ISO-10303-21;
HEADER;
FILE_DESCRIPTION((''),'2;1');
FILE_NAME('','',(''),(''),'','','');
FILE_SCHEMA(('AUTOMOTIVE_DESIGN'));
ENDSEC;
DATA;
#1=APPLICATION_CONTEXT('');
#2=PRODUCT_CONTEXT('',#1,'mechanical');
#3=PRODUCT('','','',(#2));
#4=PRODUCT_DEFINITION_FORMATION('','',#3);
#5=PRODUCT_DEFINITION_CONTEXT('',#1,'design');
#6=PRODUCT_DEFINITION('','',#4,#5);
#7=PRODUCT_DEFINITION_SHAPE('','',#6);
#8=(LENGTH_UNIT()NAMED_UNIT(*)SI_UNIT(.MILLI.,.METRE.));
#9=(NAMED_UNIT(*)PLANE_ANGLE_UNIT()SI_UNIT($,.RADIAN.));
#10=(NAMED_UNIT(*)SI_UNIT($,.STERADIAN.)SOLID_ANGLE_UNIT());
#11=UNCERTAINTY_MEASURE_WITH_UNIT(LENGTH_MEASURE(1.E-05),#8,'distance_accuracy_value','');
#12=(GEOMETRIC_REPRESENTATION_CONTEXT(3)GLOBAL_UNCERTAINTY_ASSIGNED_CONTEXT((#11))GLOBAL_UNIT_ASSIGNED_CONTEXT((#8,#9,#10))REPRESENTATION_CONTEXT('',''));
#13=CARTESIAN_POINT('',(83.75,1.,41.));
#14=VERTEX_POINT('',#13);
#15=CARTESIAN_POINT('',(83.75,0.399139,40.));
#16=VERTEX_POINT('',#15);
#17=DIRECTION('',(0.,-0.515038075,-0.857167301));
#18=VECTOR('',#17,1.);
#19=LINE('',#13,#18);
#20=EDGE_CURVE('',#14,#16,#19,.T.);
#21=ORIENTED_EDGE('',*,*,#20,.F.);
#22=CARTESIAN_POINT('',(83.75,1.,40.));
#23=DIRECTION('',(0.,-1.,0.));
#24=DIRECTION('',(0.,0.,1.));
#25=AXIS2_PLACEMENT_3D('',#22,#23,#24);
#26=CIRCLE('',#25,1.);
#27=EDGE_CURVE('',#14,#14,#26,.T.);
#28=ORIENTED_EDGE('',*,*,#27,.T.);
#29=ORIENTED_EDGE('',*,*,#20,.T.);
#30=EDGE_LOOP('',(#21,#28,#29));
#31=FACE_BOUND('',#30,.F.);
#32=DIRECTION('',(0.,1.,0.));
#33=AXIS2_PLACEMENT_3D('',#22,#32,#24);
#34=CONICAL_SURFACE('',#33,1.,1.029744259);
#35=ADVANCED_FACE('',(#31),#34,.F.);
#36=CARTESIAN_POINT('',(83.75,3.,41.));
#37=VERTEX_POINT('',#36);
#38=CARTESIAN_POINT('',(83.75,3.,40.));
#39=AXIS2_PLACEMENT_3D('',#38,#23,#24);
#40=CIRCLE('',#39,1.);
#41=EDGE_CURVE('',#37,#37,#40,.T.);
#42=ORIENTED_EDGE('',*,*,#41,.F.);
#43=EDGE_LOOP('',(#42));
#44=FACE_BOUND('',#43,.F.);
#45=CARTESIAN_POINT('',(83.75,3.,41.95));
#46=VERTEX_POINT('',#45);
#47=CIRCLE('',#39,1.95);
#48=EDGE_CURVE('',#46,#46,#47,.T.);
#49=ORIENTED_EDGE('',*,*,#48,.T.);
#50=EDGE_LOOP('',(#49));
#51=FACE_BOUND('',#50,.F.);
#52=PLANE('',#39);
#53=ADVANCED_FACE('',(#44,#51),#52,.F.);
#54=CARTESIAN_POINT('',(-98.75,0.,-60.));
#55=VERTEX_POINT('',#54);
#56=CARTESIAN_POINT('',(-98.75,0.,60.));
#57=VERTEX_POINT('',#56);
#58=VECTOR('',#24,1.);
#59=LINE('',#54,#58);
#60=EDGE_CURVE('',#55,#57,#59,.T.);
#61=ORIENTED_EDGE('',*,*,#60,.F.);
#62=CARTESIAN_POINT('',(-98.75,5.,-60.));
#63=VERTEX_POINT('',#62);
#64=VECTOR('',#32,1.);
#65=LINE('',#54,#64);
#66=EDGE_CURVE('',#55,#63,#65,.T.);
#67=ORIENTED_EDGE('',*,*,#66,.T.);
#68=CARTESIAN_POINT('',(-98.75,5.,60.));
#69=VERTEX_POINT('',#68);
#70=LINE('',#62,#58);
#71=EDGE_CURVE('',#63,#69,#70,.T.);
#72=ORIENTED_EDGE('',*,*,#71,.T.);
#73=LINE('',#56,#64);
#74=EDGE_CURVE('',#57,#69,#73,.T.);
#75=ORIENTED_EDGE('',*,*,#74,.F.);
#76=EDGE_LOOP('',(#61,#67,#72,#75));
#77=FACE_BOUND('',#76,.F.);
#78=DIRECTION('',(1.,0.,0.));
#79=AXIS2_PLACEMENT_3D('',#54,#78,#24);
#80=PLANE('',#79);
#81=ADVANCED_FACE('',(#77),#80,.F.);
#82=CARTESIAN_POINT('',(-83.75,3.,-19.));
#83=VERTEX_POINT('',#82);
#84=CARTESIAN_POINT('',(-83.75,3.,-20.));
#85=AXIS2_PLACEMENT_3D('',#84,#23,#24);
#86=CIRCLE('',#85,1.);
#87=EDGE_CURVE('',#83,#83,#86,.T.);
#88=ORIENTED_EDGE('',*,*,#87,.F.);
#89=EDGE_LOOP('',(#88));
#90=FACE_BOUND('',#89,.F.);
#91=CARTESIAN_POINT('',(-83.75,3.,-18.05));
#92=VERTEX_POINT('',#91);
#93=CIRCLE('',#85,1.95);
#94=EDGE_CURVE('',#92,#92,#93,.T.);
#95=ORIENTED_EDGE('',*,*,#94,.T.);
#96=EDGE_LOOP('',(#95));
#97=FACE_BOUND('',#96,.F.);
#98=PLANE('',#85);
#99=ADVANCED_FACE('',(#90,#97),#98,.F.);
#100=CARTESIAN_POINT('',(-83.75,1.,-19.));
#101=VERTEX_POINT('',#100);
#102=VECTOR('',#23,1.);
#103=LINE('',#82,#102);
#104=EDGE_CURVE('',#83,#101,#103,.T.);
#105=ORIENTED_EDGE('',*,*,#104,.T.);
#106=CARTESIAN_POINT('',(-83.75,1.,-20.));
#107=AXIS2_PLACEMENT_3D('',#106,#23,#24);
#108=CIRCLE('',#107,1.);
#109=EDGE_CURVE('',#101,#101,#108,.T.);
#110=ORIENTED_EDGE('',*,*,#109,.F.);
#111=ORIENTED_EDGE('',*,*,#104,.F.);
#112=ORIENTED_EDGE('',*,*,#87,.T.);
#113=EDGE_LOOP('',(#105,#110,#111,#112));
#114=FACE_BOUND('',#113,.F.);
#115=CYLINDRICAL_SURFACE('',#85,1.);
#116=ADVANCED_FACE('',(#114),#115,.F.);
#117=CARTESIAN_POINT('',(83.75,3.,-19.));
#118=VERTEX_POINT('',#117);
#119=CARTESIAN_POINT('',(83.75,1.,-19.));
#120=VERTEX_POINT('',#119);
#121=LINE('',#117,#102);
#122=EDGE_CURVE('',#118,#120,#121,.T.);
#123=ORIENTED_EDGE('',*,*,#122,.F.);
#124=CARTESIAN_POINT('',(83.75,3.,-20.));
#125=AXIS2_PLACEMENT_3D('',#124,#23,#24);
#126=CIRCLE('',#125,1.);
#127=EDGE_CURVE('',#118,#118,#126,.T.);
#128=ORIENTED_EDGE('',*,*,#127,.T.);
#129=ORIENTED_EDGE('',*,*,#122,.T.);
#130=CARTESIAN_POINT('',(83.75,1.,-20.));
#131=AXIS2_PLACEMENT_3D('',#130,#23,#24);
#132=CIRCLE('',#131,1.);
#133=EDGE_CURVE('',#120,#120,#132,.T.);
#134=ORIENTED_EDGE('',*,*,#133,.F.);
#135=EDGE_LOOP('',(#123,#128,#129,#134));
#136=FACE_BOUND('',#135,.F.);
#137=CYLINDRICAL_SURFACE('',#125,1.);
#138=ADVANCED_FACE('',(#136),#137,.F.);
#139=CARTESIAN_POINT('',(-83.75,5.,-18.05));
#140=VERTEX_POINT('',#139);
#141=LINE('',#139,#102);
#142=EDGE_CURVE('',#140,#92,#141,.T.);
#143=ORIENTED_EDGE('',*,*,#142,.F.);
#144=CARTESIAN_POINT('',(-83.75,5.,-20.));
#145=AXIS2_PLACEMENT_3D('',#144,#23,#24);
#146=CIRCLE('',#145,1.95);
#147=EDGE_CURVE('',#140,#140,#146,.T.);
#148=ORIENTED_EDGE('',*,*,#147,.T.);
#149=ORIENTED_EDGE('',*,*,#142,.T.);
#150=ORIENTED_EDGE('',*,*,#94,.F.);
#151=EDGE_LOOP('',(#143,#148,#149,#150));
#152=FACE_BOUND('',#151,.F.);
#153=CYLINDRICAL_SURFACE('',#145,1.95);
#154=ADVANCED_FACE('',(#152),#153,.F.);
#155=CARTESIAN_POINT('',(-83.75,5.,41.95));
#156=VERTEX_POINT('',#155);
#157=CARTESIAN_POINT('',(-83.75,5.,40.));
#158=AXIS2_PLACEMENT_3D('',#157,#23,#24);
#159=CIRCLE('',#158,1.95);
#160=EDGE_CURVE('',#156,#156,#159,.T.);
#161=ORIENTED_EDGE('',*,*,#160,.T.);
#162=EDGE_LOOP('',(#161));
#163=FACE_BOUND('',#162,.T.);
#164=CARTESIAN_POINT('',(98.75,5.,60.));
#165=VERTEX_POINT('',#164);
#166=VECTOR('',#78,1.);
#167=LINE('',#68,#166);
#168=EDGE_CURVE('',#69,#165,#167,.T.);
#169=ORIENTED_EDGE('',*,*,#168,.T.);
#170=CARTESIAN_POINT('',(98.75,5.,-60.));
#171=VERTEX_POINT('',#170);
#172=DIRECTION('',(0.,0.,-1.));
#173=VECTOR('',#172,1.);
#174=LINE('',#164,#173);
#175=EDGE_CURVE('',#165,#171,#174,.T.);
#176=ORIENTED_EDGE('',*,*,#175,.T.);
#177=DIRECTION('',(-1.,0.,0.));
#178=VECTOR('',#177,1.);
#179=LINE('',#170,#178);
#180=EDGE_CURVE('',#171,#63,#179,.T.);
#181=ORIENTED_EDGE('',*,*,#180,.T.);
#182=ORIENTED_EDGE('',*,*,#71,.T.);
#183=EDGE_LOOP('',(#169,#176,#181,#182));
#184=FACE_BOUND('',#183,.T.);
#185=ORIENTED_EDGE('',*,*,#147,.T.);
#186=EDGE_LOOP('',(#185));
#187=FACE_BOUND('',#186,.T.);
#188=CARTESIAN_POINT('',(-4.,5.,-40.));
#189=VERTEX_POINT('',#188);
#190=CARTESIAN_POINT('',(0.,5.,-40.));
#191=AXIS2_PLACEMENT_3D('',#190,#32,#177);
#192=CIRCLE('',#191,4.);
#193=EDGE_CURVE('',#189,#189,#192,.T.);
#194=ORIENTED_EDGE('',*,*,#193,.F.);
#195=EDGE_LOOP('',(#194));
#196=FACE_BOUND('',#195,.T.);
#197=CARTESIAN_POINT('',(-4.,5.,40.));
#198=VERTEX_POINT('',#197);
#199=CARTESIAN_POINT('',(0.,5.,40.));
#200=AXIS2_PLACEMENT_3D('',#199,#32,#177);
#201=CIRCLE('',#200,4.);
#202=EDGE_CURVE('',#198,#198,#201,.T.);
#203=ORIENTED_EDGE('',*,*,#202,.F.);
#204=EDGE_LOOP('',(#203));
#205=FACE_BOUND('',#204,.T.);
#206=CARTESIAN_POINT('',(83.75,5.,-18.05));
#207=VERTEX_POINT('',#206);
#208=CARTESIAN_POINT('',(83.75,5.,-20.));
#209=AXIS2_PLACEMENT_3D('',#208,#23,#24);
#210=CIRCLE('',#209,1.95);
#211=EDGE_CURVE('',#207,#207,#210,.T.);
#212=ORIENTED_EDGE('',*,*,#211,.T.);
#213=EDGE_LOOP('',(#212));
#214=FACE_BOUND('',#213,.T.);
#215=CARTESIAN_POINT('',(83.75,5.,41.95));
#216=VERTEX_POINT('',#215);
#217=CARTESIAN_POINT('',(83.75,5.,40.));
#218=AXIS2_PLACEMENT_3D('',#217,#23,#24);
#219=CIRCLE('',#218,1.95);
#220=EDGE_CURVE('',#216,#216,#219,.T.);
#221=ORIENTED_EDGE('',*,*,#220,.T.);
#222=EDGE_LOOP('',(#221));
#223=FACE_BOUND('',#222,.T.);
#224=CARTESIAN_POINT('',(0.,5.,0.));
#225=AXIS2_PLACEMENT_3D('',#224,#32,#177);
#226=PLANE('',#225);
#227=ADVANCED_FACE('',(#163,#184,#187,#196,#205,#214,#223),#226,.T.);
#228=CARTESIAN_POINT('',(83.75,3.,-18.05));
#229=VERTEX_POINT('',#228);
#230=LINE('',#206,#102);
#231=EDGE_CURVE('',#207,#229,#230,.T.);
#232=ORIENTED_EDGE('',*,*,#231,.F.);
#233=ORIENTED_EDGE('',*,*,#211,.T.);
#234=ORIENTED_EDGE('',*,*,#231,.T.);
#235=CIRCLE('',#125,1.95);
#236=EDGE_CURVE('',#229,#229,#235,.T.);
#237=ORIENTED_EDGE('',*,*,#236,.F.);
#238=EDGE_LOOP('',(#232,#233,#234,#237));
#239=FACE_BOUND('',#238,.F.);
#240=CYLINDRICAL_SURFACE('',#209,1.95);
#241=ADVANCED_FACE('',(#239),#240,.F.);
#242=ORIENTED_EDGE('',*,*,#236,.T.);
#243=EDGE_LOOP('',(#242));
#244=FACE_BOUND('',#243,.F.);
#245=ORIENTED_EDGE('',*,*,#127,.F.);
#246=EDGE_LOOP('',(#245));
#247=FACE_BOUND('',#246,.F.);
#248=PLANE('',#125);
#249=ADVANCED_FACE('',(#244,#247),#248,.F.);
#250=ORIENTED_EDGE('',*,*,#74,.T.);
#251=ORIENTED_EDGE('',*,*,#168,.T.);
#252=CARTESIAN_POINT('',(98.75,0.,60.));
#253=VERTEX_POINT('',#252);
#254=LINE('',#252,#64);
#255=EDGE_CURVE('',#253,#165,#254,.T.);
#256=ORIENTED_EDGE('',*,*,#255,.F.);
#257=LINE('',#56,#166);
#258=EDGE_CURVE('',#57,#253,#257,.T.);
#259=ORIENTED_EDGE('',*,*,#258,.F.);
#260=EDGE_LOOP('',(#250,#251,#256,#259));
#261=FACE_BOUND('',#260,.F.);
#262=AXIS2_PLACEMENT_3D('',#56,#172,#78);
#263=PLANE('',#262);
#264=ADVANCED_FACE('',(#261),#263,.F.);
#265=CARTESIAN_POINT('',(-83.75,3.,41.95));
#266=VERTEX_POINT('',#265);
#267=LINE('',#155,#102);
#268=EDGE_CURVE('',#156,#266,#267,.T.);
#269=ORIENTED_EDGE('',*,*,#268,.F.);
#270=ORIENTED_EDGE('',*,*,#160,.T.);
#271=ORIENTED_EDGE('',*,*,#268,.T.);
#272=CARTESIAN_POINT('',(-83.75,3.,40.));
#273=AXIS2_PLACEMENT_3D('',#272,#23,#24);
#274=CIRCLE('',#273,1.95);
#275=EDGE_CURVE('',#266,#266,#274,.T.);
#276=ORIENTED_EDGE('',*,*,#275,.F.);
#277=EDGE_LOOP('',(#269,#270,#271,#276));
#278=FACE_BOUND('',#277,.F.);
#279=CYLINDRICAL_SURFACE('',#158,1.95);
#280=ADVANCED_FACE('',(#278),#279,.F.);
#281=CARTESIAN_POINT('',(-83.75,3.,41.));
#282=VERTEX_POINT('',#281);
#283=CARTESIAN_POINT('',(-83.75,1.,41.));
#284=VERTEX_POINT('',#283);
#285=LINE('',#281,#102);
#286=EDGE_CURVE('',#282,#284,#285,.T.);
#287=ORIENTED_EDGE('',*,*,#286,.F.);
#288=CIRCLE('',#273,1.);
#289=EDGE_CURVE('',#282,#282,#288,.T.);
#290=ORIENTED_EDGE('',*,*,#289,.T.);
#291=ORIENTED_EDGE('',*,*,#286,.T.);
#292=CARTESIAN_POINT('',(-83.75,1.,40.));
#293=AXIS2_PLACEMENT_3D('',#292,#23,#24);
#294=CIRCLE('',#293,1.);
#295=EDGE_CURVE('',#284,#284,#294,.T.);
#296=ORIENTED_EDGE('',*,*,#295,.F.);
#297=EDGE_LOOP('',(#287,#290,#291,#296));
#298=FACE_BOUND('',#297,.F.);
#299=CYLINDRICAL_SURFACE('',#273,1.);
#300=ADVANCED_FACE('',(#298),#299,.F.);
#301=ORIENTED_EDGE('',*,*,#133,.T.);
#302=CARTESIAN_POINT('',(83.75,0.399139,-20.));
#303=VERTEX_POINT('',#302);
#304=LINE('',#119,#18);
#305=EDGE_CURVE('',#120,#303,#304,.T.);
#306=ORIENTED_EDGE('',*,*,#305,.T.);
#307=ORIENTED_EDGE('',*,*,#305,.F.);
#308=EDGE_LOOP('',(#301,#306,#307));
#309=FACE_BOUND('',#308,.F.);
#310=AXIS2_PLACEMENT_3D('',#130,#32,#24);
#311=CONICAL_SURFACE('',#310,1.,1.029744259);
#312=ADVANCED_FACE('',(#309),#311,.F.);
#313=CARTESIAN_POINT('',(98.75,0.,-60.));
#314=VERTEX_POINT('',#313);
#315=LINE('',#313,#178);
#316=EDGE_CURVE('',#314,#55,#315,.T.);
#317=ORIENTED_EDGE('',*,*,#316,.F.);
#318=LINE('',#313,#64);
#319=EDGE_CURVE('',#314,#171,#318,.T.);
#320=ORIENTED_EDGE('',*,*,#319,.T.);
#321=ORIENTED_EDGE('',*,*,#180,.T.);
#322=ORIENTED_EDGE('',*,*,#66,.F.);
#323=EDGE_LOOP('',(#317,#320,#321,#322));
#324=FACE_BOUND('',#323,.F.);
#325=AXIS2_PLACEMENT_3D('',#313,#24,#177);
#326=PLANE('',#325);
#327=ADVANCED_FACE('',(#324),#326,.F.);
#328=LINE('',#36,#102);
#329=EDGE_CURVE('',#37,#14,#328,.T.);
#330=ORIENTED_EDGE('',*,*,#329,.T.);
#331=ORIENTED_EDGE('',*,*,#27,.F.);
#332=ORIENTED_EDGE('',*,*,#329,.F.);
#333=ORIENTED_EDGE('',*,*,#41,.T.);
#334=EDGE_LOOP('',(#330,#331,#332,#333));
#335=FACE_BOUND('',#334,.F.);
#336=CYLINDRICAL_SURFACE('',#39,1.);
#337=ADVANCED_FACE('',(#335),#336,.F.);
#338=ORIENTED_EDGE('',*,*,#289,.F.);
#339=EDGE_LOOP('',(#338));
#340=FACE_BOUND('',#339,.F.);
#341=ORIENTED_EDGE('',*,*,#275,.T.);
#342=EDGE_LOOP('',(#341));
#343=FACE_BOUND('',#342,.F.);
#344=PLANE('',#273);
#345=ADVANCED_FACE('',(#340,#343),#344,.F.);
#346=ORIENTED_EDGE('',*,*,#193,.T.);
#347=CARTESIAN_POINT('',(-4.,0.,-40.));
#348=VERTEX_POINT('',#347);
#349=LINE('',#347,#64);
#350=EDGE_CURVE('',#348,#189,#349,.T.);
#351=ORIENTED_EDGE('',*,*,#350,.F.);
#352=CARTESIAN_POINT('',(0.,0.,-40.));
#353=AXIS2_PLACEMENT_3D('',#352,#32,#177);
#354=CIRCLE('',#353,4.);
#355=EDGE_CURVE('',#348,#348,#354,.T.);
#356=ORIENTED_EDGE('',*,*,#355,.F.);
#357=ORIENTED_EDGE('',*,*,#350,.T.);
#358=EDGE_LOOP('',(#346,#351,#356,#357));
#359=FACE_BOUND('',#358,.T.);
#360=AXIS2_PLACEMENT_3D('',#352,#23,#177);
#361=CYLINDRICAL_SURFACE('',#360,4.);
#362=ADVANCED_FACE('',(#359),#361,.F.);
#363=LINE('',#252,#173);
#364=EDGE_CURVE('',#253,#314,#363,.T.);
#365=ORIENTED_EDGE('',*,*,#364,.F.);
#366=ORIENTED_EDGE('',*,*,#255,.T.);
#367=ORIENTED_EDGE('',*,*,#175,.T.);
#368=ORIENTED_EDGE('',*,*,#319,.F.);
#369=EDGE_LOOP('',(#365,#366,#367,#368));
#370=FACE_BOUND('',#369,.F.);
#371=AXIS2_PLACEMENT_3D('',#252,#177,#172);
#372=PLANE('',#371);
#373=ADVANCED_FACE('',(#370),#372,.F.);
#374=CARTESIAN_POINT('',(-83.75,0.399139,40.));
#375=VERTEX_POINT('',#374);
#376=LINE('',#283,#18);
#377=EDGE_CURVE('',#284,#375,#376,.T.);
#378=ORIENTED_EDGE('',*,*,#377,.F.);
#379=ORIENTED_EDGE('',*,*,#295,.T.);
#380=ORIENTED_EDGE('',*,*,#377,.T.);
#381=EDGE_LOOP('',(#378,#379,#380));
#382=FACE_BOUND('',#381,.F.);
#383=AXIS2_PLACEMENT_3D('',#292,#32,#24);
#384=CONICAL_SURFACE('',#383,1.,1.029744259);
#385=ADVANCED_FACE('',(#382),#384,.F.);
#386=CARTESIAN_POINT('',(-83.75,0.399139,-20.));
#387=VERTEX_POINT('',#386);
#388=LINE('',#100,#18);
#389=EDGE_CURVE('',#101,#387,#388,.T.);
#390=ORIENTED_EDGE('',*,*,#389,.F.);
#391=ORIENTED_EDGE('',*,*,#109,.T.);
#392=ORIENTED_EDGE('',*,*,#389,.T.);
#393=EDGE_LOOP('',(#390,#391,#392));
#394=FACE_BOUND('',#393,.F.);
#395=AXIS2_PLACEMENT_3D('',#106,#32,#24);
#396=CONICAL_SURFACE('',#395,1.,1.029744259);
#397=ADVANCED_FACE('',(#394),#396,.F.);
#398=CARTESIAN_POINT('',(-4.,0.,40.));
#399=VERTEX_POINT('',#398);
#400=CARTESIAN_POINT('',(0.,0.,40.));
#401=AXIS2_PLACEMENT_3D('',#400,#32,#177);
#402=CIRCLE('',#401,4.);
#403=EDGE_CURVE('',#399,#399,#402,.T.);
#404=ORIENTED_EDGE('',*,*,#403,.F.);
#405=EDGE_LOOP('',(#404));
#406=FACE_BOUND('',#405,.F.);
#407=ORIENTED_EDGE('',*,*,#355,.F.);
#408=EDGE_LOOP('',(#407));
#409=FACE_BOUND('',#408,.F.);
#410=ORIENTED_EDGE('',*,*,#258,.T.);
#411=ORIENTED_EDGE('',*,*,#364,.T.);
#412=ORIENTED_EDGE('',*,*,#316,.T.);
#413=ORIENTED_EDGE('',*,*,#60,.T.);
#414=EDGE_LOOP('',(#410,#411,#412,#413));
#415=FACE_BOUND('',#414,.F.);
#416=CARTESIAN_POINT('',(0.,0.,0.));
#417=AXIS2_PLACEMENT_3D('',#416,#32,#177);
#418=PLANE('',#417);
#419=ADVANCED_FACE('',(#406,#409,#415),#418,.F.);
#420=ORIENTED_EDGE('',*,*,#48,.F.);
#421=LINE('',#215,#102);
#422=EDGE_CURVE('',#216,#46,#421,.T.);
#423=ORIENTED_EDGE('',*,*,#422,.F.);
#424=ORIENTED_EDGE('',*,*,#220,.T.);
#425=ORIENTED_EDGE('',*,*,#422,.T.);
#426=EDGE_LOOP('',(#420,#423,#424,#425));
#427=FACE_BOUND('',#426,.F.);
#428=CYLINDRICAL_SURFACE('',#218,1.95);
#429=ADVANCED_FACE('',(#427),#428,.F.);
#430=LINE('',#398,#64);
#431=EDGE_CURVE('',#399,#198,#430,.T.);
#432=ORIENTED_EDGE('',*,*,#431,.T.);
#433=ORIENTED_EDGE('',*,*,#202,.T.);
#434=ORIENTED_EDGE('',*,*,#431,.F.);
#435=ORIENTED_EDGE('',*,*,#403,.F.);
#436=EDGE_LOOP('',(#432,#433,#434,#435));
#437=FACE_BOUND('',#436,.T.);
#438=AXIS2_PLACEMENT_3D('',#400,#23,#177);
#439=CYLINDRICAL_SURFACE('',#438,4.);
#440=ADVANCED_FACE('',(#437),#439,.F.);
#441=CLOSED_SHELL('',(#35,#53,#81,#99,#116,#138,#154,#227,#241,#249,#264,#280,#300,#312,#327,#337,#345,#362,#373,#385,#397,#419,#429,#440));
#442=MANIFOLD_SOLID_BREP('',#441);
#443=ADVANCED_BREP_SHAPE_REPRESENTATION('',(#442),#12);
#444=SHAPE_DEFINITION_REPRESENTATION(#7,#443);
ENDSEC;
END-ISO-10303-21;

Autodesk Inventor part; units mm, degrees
ref_plane "YZ Plane" through (0, 0, 0) normal (1, 0, 0) x (0, 1, 0)
ref_plane "XZ Plane" through (0, 0, 0) normal (0, 1, 0) x (-1, 0, 0)
ref_plane "XY Plane" through (0, 0, 0) normal (0, 0, 1) x (1, 0, 0)
sketch "Sketch1" plane through (0, 0, 0) normal (0, 1, 0) x (-1, 0, 0)
  line L0 (98.75, 60) -> (-98.75, 60)
  line L1 (-98.75, 60) -> (-98.75, -60)
  line L2 (-98.75, -60) -> (98.75, -60)
  line L3 (98.75, -60) -> (98.75, 60)
  line L4 (98.75, 60) -> (-98.75, -60) construction
  line L5 (-98.75, 60) -> (98.75, -60) construction
  circle A0 centre (0, -40) radius 4
  circle A1 centre (0, 40) radius 4
  point P0 (0, 0)
  dimension "d0" = 197.5
  dimension "d1" = 120
  dimension "d2" = 8
  dimension "d3" = 20
  dimension "d4" = 8
  dimension "d5" = 80
extrude "Extrusion1" add sketch "Sketch1" along normal blind 5
sketch "Sketch2" plane through (0, 5, 0) normal (0, 1, 0) x (1, 0, 0)
  line L0 (-98.75, 60) -> (-98.75, -60) projected
  line L1 (98.75, -60) -> (98.75, 60) projected
  line L2 (98.75, 60) -> (-98.75, 60) projected
  line L3 (-98.75, -60) -> (98.75, -60) projected
  point P0 (0, 0)
  point P1 (-83.75, 20)
  point P2 (-83.75, -40)
  point P3 (83.75, -40)
  point P4 (83.75, 20)
  dimension "d8" = 15
  dimension "d9" = 15
  dimension "d17" = 15
  dimension "d18" = 15
  dimension "d19" = 40
  dimension "d20" = 40
  dimension "d21" = 20
  dimension "d22" = 20
hole "Hole1" at (83.75, 5, -20) at (-83.75, 5, -20) at (-83.75, 5, 40) at (83.75, 5, 40) direction (0, -1, 0) diameter 2 depth 4 tip angle 118 counterbore diameter 3.9 counterbore depth 2
properties part number "panel2"
